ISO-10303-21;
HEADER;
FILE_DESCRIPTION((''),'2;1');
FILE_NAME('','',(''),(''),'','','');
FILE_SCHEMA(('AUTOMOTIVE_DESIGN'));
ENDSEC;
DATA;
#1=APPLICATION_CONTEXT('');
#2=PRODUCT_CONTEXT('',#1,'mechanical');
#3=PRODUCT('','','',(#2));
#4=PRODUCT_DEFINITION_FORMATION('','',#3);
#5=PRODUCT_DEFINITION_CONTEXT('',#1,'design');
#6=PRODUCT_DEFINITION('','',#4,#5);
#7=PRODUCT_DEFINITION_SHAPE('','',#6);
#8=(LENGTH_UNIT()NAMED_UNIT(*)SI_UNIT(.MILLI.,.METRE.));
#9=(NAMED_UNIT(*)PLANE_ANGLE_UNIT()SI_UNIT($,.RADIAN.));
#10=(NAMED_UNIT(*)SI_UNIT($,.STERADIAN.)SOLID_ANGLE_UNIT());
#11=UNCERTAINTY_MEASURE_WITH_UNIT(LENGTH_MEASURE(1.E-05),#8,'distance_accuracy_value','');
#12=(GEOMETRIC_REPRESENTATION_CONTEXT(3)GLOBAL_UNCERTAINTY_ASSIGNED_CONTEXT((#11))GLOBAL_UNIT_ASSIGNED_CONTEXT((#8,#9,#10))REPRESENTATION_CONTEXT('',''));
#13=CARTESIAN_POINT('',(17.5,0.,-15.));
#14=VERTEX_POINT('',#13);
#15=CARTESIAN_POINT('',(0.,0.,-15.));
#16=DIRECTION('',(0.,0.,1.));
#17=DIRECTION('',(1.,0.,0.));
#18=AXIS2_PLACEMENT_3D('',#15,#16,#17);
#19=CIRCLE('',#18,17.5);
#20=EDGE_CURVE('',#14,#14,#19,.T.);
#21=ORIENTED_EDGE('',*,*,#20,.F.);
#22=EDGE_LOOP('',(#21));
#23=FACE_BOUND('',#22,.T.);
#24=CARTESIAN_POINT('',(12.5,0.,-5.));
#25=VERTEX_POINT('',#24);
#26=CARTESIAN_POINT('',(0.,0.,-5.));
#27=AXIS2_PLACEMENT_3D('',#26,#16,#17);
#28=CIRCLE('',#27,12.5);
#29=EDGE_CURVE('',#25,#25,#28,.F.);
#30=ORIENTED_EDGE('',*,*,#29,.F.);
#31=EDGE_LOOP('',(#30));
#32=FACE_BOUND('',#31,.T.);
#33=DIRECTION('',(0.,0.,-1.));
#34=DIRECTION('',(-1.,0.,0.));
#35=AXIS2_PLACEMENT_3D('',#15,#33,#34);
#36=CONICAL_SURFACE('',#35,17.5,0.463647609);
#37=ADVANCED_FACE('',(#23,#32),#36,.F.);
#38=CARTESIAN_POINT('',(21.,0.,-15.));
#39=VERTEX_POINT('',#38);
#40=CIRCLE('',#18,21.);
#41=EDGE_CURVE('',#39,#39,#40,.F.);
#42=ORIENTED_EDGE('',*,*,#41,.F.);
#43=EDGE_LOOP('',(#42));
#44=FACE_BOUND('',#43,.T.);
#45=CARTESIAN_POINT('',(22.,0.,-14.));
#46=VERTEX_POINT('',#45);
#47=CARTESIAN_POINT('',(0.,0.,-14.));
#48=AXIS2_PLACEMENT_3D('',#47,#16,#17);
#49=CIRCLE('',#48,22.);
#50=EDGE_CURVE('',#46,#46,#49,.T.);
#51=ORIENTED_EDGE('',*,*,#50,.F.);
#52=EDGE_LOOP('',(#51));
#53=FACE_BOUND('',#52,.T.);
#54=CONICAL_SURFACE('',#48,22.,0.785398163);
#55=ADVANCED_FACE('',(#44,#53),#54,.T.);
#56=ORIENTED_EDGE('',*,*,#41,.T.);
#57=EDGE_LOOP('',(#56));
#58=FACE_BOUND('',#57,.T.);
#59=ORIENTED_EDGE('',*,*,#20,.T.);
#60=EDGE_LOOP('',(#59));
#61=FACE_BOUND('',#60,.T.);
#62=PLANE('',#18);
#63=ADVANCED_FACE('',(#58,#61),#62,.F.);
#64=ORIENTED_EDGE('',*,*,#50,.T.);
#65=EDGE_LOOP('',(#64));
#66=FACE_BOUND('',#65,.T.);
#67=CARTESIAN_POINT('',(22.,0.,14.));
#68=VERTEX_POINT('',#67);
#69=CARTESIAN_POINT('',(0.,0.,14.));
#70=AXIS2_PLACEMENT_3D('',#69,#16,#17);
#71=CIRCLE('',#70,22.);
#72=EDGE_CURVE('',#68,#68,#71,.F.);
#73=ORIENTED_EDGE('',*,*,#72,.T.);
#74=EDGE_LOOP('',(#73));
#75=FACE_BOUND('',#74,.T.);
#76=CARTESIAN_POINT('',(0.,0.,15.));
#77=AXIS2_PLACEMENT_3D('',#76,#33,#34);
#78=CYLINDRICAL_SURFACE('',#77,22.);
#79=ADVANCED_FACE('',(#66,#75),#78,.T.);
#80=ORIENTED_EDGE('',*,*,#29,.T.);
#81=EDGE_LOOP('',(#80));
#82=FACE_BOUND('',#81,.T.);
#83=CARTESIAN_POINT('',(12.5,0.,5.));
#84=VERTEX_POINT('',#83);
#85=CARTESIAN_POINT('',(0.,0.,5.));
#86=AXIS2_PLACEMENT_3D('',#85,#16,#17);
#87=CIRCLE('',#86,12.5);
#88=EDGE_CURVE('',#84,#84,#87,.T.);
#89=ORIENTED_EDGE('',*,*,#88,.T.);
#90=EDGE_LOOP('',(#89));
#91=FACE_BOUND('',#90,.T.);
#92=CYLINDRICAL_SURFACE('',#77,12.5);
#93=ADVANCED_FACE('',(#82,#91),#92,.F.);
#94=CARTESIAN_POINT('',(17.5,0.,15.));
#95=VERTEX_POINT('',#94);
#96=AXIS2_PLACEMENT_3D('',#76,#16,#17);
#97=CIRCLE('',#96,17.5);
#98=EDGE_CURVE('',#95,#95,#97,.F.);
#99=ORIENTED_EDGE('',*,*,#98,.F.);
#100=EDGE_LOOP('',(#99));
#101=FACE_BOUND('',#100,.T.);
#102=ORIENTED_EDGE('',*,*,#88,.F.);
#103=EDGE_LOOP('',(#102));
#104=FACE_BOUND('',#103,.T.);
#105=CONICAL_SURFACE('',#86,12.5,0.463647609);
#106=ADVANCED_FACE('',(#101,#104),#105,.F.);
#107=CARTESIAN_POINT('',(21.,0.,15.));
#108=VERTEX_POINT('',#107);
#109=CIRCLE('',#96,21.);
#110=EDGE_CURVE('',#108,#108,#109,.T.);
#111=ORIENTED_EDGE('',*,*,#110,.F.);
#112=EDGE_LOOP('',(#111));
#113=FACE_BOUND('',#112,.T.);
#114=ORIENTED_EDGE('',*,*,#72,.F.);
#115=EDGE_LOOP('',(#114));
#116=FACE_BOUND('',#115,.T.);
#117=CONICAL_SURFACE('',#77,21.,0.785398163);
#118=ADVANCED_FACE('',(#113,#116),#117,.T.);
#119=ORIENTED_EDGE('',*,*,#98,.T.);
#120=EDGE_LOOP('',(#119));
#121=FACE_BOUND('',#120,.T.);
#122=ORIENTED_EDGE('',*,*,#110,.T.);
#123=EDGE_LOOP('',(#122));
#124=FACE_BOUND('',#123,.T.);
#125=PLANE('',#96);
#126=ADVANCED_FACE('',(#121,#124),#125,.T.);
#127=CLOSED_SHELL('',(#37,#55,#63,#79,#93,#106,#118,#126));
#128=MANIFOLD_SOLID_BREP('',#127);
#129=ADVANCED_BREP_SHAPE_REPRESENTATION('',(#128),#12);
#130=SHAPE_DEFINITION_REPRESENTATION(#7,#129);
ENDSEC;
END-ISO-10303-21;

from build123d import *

# Parameters (mm, degrees)
SKETCH1_R           = 22
SKETCH1_R_2         = 12.5
BOSS_EXTRUDE1_DEPTH = 15
CHAMFER1_SIZE       = 1
CHAMFER2_SIZE       = 5
CHAMFER2_SIZE2      = 10
CHAMFER3_SIZE       = 10
CHAMFER3_SIZE2      = 5


with BuildPart() as part:
    # Sketch1 → Boss-Extrude1 (new, symmetric)
    with BuildSketch(Plane.XY):
        Circle(SKETCH1_R)
        Circle(SKETCH1_R_2, mode=Mode.SUBTRACT)
    extrude(amount=BOSS_EXTRUDE1_DEPTH, both=True)

    # Chamfer1
    chamfer1_edges = [part.edges().sort_by_distance(p)[0] for p in [
        (-22, 0, -15),
        (-22, 0, 15),
    ]]
    chamfer(chamfer1_edges, length=CHAMFER1_SIZE)

    # Chamfer2
    chamfer2_edges = [part.edges().sort_by_distance(p)[0] for p in [
        (-12.5, 0, 15),
    ]]
    chamfer2_side = [part.faces().sort_by_distance(p)[0] for p in [
        (-20.406030304, 0, 15),
    ]]
    chamfer(chamfer2_edges, length=CHAMFER2_SIZE, length2=CHAMFER2_SIZE2, reference=chamfer2_side[0])

    # Chamfer3
    chamfer3_edges = [part.edges().sort_by_distance(p)[0] for p in [
        (-12.5, 0, -15),
    ]]
    chamfer3_side = [part.faces().sort_by_distance(p)[0] for p in [
        (-12.5, 0, -5),
    ]]
    chamfer(chamfer3_edges, length=CHAMFER3_SIZE, length2=CHAMFER3_SIZE2, reference=chamfer3_side[0])


solid = part.part
